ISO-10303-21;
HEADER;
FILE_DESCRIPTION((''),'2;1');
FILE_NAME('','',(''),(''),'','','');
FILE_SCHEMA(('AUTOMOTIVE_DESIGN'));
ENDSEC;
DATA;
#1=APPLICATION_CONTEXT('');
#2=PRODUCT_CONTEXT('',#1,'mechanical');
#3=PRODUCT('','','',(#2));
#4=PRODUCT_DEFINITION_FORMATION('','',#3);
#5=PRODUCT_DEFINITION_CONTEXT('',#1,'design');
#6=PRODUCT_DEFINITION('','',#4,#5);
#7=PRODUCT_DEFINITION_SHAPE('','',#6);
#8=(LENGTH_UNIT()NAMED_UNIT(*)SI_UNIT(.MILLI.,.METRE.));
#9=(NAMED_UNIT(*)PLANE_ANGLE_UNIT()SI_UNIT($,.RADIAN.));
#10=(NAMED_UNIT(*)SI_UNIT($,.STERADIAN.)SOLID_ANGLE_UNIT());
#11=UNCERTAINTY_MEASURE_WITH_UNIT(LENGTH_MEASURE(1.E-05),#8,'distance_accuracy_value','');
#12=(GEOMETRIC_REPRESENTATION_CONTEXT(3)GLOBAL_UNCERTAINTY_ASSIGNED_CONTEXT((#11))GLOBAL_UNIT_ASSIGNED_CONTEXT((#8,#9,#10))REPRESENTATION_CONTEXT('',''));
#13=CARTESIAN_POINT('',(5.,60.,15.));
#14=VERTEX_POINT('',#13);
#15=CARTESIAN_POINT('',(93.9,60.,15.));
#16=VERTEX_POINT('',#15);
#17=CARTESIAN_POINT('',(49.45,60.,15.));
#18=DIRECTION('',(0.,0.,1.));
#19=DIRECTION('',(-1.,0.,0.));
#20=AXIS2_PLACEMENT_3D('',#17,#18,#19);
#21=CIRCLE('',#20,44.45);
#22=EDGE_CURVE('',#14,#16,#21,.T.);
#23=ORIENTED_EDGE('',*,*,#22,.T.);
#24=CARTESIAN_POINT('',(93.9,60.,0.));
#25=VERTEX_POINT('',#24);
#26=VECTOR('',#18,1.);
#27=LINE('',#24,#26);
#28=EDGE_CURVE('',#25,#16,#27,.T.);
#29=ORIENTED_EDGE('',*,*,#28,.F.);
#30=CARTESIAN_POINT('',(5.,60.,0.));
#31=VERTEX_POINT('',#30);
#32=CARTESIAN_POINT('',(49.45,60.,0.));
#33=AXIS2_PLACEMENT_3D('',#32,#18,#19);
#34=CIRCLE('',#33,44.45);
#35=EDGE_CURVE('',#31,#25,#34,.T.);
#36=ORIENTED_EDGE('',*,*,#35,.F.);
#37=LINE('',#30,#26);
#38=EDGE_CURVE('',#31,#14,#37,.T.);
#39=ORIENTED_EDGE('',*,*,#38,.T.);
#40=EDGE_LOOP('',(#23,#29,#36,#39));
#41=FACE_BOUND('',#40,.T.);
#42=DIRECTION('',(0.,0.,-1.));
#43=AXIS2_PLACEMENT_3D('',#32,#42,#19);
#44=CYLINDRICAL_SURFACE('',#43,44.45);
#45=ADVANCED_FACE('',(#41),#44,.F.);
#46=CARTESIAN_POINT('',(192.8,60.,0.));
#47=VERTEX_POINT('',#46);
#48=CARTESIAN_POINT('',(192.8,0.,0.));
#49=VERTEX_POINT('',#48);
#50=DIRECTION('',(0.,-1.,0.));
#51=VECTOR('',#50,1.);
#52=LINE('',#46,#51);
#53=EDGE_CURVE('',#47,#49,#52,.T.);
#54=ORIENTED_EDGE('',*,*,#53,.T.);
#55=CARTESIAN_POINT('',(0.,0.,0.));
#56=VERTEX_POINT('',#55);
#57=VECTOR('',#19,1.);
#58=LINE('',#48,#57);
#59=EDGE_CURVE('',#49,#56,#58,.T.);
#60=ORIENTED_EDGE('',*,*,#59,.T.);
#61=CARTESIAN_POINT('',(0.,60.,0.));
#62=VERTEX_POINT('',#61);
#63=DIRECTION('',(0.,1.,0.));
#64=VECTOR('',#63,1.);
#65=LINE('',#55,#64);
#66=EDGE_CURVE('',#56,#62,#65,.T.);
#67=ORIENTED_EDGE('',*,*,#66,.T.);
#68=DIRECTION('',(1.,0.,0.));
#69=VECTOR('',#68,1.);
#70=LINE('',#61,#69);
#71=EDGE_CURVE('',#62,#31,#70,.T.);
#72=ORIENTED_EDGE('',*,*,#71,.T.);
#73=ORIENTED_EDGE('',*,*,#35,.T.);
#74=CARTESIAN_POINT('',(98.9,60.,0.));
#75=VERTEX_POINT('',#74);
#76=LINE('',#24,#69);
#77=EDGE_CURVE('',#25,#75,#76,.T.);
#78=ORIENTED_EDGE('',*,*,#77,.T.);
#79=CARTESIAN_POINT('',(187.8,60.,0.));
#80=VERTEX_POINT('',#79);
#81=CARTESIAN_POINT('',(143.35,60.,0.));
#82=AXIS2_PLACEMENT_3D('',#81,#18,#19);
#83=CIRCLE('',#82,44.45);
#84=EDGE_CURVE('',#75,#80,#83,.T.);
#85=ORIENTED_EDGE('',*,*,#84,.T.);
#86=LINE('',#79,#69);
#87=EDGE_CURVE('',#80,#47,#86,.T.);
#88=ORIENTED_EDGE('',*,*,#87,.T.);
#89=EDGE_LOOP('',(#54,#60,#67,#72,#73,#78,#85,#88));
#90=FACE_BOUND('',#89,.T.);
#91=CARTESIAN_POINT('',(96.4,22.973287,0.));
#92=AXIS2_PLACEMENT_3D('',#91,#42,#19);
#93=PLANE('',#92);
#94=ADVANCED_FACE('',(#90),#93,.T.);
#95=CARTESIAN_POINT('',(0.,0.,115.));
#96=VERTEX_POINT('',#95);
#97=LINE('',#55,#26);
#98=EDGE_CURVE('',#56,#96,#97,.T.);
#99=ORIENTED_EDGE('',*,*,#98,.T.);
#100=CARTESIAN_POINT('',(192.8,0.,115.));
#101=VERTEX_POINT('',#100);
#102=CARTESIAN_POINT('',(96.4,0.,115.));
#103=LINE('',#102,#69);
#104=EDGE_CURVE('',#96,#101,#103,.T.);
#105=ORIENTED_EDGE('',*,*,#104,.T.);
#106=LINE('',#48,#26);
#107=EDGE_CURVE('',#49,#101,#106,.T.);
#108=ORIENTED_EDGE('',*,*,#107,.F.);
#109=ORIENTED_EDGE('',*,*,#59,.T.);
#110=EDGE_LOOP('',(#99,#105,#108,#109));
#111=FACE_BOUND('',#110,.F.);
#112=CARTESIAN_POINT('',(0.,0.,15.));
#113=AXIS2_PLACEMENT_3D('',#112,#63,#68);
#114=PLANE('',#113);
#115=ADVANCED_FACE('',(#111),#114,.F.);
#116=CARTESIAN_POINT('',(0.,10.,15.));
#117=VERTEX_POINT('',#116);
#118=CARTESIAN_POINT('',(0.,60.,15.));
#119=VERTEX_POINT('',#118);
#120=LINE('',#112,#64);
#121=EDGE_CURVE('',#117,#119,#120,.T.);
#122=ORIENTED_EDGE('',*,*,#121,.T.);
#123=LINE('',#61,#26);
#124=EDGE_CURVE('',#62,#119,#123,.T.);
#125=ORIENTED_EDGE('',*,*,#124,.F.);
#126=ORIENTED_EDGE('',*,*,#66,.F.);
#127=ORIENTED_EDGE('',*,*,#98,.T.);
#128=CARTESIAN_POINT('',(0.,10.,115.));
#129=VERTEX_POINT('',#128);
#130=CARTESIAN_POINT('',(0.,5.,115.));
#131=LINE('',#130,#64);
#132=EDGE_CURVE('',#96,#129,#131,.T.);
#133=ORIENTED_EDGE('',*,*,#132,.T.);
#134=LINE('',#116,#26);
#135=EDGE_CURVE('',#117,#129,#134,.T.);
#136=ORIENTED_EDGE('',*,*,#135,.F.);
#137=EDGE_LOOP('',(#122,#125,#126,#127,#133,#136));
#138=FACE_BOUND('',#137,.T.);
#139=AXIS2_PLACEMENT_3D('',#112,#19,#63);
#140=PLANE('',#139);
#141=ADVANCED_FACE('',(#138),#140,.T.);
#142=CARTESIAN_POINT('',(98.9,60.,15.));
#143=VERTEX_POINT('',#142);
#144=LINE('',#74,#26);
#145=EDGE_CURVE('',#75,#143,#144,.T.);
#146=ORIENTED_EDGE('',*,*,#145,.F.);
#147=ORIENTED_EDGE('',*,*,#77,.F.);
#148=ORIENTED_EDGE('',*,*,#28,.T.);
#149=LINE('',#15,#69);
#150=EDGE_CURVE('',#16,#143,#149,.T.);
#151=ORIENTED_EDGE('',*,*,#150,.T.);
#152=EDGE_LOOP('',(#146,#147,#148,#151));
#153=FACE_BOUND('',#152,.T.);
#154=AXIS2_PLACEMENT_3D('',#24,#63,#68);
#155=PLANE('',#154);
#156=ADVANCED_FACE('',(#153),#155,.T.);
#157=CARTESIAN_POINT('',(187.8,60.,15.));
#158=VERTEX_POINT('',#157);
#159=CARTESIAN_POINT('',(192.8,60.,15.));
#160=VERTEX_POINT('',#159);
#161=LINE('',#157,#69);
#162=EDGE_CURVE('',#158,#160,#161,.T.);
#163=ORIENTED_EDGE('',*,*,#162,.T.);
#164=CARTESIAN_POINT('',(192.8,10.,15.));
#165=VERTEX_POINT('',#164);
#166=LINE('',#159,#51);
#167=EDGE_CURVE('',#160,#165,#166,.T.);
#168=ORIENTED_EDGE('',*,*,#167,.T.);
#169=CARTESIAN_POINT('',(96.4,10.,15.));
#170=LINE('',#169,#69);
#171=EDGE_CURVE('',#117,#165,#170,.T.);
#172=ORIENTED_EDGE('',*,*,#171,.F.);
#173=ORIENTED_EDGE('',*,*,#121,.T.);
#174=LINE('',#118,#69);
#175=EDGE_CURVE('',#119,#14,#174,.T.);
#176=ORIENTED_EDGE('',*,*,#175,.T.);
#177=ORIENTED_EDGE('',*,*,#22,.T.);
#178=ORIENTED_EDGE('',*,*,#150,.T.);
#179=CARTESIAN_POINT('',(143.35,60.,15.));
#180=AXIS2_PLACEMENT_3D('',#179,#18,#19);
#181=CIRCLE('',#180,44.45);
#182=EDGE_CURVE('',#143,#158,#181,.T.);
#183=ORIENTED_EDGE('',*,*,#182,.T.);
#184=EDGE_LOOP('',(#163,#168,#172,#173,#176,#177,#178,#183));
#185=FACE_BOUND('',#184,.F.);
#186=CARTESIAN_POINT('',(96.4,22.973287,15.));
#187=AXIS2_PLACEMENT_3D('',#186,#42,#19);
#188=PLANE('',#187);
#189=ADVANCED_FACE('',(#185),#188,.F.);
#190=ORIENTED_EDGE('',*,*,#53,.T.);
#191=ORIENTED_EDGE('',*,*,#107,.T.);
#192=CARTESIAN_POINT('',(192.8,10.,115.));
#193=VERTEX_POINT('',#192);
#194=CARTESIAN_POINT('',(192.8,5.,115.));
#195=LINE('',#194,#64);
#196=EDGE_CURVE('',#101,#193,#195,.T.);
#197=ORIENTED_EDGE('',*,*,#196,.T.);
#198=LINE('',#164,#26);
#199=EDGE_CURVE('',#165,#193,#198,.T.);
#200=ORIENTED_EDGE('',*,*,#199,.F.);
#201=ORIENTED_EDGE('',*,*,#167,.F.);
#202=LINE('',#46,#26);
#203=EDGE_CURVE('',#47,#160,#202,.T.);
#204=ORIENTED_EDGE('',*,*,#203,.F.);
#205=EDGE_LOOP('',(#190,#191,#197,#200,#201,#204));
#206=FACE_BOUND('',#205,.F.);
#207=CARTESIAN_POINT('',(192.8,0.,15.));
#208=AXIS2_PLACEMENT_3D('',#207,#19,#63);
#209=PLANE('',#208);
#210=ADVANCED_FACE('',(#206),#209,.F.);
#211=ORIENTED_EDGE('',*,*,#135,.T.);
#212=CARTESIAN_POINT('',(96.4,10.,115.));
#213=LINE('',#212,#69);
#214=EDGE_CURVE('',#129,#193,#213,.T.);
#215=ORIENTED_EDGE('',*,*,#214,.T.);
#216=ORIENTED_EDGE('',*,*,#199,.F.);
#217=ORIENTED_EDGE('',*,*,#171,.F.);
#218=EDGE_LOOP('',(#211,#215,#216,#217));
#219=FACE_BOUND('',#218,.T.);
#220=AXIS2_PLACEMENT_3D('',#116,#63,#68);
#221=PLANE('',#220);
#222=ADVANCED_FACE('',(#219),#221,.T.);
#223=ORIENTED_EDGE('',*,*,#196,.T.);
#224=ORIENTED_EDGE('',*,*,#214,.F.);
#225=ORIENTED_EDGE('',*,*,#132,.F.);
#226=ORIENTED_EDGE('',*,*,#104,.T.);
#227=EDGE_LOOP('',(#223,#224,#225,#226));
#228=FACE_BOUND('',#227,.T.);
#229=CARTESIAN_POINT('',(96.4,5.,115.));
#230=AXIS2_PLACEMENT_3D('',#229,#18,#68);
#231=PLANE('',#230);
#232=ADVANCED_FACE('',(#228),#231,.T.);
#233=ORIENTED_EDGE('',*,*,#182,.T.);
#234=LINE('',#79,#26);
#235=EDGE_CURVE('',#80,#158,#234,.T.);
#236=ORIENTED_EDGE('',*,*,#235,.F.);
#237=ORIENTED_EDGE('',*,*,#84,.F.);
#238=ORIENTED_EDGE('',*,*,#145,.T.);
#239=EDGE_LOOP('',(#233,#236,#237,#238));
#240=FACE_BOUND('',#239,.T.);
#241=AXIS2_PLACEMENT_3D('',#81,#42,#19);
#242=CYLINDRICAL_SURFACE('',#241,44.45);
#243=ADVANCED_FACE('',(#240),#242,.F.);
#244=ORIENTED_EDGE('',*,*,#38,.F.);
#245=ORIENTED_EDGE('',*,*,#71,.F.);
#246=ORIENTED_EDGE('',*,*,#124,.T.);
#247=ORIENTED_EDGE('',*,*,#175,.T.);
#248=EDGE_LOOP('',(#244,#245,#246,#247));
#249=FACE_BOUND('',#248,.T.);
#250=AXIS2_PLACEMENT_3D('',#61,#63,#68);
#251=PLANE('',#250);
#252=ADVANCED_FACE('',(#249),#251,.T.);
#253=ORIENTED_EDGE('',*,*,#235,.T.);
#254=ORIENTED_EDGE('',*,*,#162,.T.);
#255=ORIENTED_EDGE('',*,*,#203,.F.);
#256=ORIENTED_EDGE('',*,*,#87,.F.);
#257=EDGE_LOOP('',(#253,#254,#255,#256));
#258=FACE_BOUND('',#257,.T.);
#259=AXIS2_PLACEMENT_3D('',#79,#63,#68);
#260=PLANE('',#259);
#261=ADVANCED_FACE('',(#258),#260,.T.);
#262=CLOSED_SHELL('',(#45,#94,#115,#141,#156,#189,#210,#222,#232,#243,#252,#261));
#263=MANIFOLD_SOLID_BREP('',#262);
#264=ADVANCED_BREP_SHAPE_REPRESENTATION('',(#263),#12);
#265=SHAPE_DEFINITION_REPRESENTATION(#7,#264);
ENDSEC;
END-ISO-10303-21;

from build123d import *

# Parameters (mm, degrees)
BOSS_EXTRUDE2_DEPTH = 15
SKETCH8_W           = 192.8
SKETCH8_H           = 10
BOSS_EXTRUDE3_DEPTH = 100


with BuildPart() as part:
    # Sketch7 → Boss-Extrude2 (new body)
    with BuildSketch(Plane.XY):
        with BuildLine():
            Line((0, 10), (0, 60))
            Line((0, 60), (5, 60))
            ThreePointArc((5, 60), (49.45, 15.55), (93.9, 60))
            Line((93.9, 60), (98.9, 60))
            ThreePointArc((98.9, 60), (143.35, 15.55), (187.8, 60))
            Line((187.8, 60), (192.8, 60))
            Line((192.8, 60), (192.8, 0))
            Line((192.8, 0), (0, 0))
            Line((0, 0), (0, 10))
        make_face()
    extrude(amount=BOSS_EXTRUDE2_DEPTH)

    # Sketch8 → Boss-Extrude3 (add)
    with BuildSketch(Plane.XY.offset(15)):
        with Locations((96.4, 5)):
            Rectangle(SKETCH8_W, SKETCH8_H)
    extrude(amount=BOSS_EXTRUDE3_DEPTH)


solid = part.part
